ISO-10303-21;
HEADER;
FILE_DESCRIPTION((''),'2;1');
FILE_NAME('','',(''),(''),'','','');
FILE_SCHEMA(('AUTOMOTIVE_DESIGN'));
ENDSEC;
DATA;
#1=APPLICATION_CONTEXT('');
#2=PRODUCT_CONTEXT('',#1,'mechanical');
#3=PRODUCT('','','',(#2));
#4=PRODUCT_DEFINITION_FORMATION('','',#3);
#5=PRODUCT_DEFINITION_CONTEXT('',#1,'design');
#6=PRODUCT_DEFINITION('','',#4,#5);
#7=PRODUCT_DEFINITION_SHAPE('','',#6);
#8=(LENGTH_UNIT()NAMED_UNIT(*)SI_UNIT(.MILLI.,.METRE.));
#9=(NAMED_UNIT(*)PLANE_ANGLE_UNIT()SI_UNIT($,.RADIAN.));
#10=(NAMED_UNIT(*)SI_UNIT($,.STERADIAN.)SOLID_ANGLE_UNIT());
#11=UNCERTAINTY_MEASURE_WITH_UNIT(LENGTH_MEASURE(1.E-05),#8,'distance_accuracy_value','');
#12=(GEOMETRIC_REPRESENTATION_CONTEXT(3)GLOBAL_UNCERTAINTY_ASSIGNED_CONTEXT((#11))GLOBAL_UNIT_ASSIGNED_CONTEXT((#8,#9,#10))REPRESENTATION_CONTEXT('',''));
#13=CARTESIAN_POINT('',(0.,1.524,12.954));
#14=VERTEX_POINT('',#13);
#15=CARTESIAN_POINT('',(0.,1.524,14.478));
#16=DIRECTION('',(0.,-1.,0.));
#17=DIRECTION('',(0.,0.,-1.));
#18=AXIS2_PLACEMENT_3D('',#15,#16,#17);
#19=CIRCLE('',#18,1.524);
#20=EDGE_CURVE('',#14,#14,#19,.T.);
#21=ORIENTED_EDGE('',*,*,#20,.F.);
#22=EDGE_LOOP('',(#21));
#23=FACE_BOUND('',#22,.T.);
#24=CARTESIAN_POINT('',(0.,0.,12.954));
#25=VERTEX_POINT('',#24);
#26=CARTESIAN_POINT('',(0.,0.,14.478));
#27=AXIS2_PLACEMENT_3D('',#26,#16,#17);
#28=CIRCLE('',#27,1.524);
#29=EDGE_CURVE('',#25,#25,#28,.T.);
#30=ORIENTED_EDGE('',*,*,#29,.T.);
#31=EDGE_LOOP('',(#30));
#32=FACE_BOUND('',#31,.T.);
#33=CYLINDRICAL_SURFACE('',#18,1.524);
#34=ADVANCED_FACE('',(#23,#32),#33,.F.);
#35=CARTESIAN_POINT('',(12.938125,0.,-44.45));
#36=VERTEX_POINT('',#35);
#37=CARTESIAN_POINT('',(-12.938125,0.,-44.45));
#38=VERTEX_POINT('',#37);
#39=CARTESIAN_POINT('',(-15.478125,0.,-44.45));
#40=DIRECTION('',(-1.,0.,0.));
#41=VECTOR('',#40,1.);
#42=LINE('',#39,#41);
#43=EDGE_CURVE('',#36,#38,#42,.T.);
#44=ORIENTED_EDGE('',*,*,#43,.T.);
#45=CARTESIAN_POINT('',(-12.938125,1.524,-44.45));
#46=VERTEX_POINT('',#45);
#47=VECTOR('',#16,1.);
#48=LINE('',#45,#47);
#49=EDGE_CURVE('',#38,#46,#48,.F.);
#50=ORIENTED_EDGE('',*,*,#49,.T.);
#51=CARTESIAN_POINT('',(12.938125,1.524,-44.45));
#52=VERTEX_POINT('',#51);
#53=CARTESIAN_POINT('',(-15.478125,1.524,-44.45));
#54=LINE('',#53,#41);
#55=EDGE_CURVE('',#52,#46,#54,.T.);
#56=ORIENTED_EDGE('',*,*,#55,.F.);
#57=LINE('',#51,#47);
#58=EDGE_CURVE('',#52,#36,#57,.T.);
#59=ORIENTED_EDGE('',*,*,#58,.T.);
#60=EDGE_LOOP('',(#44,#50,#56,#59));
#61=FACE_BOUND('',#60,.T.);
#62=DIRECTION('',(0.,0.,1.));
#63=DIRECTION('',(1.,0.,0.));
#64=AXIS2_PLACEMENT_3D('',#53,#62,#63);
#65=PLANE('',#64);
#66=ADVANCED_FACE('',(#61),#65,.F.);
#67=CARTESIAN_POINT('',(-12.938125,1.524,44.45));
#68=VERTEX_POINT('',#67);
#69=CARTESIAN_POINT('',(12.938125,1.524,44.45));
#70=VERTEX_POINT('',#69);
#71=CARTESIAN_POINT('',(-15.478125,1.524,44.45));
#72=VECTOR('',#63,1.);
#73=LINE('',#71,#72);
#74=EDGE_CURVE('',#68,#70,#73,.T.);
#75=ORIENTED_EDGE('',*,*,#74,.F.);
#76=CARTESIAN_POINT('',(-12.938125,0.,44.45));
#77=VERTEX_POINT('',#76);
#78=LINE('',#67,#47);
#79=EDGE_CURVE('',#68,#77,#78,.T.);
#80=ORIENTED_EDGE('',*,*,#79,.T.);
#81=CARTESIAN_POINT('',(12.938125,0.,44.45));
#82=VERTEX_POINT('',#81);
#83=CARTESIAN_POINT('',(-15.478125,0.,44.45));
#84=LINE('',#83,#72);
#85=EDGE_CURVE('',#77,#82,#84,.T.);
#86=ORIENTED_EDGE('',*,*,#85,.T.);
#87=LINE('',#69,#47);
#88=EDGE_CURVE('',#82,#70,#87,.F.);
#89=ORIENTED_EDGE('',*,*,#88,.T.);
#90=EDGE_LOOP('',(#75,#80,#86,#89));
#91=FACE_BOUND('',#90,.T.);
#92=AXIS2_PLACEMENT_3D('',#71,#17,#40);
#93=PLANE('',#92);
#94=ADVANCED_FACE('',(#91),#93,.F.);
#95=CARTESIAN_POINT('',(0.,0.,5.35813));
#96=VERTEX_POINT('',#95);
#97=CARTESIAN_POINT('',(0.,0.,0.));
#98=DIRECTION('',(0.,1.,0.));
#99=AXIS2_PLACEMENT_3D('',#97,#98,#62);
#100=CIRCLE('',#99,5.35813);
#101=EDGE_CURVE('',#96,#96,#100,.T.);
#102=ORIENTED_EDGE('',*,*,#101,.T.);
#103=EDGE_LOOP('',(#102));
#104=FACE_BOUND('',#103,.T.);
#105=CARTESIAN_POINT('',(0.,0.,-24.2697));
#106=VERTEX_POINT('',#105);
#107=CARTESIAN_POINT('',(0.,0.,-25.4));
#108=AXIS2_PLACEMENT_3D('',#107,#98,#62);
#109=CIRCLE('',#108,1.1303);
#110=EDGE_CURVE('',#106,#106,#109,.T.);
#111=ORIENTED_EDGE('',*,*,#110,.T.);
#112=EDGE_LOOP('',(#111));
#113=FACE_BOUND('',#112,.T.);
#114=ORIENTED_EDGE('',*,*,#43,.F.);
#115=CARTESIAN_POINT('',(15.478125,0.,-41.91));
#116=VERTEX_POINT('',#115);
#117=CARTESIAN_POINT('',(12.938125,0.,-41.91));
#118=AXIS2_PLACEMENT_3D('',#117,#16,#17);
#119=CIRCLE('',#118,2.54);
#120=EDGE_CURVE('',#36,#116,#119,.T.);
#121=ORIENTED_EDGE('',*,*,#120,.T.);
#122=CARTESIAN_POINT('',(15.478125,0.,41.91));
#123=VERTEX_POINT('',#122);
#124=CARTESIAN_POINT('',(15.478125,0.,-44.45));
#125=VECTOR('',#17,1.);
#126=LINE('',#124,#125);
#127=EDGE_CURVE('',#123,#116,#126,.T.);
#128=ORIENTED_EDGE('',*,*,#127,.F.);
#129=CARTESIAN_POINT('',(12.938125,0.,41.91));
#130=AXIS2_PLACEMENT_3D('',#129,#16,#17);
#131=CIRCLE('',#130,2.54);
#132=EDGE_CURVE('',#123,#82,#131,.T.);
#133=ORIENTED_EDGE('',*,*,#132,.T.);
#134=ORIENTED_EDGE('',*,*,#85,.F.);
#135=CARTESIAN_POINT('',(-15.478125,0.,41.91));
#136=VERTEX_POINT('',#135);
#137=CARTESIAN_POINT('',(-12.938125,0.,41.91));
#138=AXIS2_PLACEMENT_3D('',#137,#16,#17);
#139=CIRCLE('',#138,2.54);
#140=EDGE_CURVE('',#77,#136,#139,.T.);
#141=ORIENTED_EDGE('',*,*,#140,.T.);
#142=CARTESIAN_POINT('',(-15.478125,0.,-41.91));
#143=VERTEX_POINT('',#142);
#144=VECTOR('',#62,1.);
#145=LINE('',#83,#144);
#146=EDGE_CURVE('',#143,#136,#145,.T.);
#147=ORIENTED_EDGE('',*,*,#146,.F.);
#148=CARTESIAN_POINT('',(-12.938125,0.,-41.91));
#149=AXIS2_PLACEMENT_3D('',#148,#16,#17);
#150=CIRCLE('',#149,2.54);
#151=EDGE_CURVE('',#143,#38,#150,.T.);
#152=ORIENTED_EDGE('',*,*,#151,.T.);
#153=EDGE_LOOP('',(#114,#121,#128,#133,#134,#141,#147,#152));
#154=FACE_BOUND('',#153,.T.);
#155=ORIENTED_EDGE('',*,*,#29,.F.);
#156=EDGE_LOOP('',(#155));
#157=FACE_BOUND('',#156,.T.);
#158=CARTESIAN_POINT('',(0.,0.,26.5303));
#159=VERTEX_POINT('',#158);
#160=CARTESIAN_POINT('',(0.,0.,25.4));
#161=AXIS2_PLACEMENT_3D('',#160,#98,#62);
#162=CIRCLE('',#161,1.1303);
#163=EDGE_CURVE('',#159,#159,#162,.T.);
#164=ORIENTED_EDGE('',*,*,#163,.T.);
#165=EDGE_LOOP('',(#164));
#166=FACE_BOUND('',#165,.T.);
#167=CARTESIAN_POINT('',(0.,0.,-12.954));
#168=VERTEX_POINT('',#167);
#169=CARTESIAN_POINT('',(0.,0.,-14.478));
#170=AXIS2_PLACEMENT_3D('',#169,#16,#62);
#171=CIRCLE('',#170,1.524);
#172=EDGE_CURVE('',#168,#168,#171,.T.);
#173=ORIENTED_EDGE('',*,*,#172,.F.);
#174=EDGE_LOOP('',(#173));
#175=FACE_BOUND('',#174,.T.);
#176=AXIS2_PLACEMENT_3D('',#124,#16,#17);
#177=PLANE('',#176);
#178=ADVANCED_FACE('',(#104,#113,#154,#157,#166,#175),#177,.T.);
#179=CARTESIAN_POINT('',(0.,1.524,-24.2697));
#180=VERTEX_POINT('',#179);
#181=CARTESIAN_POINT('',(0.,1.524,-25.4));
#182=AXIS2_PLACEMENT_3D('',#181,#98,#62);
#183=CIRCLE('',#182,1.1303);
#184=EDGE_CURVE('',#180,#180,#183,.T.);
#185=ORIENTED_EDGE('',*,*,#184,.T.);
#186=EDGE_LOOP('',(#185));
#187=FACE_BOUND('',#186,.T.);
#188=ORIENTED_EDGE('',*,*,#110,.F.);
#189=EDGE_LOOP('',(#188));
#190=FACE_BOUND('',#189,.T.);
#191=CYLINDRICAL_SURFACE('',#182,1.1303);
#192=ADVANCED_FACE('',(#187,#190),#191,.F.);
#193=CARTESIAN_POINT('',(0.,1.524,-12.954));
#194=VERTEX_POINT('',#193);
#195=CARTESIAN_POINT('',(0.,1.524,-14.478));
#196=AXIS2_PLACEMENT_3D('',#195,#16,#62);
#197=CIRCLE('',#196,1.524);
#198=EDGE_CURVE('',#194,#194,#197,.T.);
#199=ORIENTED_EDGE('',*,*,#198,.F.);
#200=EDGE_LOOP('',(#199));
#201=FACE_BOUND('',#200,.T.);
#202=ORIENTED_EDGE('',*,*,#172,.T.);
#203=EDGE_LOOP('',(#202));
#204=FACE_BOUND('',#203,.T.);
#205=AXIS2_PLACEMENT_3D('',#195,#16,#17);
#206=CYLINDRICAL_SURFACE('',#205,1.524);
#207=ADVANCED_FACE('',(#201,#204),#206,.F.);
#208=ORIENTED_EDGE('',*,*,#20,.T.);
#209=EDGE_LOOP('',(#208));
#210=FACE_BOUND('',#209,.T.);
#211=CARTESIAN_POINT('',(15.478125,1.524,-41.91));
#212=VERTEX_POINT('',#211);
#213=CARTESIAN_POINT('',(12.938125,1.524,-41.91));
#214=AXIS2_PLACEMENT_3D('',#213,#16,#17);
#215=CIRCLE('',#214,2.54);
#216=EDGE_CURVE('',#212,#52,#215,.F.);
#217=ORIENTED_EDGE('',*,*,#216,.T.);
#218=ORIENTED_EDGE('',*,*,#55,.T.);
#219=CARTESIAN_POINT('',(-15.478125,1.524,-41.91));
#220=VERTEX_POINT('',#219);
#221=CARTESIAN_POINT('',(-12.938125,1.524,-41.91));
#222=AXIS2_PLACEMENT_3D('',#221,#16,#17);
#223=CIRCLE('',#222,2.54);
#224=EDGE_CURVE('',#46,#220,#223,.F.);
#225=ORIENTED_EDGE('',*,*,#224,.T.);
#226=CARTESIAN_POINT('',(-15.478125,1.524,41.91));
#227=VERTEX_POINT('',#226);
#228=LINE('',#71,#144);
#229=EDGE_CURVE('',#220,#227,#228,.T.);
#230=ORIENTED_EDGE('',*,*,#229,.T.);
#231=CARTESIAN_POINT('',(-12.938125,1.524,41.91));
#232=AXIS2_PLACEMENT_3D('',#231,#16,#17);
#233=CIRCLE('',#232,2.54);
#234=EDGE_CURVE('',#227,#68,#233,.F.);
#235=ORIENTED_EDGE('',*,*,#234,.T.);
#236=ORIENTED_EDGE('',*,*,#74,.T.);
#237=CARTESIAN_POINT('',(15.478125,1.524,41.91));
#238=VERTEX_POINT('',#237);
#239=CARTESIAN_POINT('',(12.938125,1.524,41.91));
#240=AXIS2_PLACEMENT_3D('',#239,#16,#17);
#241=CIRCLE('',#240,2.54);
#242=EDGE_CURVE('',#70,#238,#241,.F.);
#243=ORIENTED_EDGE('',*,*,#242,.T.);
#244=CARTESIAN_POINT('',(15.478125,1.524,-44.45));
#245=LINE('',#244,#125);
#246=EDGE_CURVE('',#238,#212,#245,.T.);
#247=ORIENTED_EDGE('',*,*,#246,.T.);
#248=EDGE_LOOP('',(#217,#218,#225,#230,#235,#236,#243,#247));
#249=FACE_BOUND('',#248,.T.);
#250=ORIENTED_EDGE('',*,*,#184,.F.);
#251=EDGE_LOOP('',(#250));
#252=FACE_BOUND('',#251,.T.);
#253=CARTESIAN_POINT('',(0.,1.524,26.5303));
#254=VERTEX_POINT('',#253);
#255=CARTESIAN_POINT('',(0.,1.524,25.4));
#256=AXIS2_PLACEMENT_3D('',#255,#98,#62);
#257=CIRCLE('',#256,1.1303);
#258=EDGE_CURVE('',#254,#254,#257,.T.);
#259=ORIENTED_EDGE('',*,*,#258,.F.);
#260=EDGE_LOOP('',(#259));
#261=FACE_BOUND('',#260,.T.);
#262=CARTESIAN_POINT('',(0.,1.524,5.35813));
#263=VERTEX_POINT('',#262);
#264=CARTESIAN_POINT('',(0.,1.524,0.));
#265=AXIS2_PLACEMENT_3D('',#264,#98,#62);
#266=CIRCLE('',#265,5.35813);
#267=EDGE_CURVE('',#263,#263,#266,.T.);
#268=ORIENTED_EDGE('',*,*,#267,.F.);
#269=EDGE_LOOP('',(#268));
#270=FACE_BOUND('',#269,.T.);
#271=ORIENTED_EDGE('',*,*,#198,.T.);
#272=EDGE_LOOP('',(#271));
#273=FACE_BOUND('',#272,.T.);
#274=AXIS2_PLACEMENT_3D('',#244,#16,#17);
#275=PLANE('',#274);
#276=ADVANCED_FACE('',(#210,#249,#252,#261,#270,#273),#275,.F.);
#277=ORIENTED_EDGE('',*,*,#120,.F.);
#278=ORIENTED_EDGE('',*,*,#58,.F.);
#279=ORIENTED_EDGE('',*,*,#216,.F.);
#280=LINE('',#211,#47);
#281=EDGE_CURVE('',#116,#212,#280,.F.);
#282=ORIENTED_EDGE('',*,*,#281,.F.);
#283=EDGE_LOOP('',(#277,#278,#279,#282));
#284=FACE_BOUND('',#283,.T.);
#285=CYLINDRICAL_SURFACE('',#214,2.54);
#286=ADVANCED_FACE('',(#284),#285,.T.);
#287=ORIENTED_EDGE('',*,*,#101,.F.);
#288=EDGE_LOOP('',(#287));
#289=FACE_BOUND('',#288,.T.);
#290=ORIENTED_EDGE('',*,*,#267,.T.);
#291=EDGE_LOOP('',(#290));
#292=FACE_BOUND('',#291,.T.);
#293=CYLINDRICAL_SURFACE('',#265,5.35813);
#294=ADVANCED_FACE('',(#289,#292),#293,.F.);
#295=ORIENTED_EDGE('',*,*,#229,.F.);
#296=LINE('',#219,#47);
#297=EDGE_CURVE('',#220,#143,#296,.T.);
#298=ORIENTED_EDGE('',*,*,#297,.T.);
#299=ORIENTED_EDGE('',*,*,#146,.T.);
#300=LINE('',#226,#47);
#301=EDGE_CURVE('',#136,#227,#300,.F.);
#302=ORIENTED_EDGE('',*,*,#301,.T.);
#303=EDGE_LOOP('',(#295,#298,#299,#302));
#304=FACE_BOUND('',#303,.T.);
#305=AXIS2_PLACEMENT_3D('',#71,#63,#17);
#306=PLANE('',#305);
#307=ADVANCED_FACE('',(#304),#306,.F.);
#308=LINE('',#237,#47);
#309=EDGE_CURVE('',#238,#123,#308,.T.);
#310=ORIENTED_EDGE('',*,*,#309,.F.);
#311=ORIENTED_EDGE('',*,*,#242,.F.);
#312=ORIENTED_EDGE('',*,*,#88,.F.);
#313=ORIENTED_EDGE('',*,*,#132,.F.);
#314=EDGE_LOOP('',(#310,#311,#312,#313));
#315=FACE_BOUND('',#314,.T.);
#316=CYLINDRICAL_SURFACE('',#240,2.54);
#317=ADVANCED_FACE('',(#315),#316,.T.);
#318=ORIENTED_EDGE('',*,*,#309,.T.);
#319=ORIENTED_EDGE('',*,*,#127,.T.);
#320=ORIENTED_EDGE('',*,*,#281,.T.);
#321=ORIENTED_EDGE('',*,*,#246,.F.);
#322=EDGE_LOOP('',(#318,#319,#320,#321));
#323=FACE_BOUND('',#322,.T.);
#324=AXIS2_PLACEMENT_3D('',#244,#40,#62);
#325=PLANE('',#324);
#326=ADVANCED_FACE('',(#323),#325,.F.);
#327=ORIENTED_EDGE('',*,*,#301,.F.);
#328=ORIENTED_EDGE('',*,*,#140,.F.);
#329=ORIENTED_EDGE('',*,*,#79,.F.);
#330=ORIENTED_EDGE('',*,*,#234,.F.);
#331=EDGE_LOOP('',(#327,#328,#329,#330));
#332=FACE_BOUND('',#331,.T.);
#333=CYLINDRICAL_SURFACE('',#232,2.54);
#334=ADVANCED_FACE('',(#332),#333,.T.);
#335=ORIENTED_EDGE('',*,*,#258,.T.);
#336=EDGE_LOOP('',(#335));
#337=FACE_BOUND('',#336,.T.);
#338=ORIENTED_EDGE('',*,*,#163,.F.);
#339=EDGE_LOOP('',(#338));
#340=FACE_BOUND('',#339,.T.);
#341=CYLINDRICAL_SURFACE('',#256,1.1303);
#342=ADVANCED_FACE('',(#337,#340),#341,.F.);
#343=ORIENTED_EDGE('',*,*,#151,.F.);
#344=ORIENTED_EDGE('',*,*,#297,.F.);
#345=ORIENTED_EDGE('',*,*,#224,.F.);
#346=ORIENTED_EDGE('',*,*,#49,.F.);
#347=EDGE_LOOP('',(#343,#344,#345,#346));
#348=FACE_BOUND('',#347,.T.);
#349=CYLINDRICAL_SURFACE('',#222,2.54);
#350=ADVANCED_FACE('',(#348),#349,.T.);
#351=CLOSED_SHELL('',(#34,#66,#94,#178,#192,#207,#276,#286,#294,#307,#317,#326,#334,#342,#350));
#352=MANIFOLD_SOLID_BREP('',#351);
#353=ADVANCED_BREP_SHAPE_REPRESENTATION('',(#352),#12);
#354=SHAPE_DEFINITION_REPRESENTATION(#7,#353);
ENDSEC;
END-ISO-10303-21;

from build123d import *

# Parameters (mm, degrees)
SKETCH1_W               = 30.95625
SKETCH1_H               = 88.9
BOSS_EXTRUDE1_DEPTH     = 1.524
FILLET1_R               = 2.54
SKETCH6_R               = 1.524
CUT_EXTRUDE1_DEPTH      = 2.524
F_4_40_TAPPED_HOLE1_D   = 2.2606
F_1_2_13_TAPPED_HOLE1_D = 10.71626


with BuildPart() as part:
    # Sketch1 → Boss-Extrude1 (new body)
    with BuildSketch(Plane(origin=(0, 0, 0), x_dir=(1, 0, 0), z_dir=(0, 1, 0))):
        Rectangle(SKETCH1_W, SKETCH1_H)
    extrude(amount=BOSS_EXTRUDE1_DEPTH)

    # Fillet1
    fillet1_edges = [part.edges().sort_by_distance(p)[0] for p in [
        (15.478125, 0.762, -44.45),
        (15.478125, 0.762, 44.45),
        (-15.478125, 0.762, 44.45),
        (-15.478125, 0.762, -44.45),
    ]]
    fillet(fillet1_edges, radius=FILLET1_R)

    # Sketch6 → Cut-Extrude1 (cut, through all)
    with BuildSketch(Plane.XZ):
        with Locations((0, 14.478)):
            Circle(SKETCH6_R)
        with Locations((0, -14.478)):
            Circle(SKETCH6_R)
    extrude(amount=-CUT_EXTRUDE1_DEPTH, mode=Mode.SUBTRACT)

    # #4-40 Tapped Hole1 (through all)
    with Locations(Plane(origin=(0, 1.524, 0), x_dir=(-1, 0, 0), z_dir=(0, 1, 0))):
        with Locations((0, 25.4), (0, -25.4)):
            Hole(F_4_40_TAPPED_HOLE1_D / 2)

    # 1/2-13 Tapped Hole1 (through all)
    with Locations(Plane(origin=(0, 1.524, 0), x_dir=(-1, 0, 0), z_dir=(0, 1, 0))):
        with Locations((0, 0)):
            Hole(F_1_2_13_TAPPED_HOLE1_D / 2)


solid = part.part
